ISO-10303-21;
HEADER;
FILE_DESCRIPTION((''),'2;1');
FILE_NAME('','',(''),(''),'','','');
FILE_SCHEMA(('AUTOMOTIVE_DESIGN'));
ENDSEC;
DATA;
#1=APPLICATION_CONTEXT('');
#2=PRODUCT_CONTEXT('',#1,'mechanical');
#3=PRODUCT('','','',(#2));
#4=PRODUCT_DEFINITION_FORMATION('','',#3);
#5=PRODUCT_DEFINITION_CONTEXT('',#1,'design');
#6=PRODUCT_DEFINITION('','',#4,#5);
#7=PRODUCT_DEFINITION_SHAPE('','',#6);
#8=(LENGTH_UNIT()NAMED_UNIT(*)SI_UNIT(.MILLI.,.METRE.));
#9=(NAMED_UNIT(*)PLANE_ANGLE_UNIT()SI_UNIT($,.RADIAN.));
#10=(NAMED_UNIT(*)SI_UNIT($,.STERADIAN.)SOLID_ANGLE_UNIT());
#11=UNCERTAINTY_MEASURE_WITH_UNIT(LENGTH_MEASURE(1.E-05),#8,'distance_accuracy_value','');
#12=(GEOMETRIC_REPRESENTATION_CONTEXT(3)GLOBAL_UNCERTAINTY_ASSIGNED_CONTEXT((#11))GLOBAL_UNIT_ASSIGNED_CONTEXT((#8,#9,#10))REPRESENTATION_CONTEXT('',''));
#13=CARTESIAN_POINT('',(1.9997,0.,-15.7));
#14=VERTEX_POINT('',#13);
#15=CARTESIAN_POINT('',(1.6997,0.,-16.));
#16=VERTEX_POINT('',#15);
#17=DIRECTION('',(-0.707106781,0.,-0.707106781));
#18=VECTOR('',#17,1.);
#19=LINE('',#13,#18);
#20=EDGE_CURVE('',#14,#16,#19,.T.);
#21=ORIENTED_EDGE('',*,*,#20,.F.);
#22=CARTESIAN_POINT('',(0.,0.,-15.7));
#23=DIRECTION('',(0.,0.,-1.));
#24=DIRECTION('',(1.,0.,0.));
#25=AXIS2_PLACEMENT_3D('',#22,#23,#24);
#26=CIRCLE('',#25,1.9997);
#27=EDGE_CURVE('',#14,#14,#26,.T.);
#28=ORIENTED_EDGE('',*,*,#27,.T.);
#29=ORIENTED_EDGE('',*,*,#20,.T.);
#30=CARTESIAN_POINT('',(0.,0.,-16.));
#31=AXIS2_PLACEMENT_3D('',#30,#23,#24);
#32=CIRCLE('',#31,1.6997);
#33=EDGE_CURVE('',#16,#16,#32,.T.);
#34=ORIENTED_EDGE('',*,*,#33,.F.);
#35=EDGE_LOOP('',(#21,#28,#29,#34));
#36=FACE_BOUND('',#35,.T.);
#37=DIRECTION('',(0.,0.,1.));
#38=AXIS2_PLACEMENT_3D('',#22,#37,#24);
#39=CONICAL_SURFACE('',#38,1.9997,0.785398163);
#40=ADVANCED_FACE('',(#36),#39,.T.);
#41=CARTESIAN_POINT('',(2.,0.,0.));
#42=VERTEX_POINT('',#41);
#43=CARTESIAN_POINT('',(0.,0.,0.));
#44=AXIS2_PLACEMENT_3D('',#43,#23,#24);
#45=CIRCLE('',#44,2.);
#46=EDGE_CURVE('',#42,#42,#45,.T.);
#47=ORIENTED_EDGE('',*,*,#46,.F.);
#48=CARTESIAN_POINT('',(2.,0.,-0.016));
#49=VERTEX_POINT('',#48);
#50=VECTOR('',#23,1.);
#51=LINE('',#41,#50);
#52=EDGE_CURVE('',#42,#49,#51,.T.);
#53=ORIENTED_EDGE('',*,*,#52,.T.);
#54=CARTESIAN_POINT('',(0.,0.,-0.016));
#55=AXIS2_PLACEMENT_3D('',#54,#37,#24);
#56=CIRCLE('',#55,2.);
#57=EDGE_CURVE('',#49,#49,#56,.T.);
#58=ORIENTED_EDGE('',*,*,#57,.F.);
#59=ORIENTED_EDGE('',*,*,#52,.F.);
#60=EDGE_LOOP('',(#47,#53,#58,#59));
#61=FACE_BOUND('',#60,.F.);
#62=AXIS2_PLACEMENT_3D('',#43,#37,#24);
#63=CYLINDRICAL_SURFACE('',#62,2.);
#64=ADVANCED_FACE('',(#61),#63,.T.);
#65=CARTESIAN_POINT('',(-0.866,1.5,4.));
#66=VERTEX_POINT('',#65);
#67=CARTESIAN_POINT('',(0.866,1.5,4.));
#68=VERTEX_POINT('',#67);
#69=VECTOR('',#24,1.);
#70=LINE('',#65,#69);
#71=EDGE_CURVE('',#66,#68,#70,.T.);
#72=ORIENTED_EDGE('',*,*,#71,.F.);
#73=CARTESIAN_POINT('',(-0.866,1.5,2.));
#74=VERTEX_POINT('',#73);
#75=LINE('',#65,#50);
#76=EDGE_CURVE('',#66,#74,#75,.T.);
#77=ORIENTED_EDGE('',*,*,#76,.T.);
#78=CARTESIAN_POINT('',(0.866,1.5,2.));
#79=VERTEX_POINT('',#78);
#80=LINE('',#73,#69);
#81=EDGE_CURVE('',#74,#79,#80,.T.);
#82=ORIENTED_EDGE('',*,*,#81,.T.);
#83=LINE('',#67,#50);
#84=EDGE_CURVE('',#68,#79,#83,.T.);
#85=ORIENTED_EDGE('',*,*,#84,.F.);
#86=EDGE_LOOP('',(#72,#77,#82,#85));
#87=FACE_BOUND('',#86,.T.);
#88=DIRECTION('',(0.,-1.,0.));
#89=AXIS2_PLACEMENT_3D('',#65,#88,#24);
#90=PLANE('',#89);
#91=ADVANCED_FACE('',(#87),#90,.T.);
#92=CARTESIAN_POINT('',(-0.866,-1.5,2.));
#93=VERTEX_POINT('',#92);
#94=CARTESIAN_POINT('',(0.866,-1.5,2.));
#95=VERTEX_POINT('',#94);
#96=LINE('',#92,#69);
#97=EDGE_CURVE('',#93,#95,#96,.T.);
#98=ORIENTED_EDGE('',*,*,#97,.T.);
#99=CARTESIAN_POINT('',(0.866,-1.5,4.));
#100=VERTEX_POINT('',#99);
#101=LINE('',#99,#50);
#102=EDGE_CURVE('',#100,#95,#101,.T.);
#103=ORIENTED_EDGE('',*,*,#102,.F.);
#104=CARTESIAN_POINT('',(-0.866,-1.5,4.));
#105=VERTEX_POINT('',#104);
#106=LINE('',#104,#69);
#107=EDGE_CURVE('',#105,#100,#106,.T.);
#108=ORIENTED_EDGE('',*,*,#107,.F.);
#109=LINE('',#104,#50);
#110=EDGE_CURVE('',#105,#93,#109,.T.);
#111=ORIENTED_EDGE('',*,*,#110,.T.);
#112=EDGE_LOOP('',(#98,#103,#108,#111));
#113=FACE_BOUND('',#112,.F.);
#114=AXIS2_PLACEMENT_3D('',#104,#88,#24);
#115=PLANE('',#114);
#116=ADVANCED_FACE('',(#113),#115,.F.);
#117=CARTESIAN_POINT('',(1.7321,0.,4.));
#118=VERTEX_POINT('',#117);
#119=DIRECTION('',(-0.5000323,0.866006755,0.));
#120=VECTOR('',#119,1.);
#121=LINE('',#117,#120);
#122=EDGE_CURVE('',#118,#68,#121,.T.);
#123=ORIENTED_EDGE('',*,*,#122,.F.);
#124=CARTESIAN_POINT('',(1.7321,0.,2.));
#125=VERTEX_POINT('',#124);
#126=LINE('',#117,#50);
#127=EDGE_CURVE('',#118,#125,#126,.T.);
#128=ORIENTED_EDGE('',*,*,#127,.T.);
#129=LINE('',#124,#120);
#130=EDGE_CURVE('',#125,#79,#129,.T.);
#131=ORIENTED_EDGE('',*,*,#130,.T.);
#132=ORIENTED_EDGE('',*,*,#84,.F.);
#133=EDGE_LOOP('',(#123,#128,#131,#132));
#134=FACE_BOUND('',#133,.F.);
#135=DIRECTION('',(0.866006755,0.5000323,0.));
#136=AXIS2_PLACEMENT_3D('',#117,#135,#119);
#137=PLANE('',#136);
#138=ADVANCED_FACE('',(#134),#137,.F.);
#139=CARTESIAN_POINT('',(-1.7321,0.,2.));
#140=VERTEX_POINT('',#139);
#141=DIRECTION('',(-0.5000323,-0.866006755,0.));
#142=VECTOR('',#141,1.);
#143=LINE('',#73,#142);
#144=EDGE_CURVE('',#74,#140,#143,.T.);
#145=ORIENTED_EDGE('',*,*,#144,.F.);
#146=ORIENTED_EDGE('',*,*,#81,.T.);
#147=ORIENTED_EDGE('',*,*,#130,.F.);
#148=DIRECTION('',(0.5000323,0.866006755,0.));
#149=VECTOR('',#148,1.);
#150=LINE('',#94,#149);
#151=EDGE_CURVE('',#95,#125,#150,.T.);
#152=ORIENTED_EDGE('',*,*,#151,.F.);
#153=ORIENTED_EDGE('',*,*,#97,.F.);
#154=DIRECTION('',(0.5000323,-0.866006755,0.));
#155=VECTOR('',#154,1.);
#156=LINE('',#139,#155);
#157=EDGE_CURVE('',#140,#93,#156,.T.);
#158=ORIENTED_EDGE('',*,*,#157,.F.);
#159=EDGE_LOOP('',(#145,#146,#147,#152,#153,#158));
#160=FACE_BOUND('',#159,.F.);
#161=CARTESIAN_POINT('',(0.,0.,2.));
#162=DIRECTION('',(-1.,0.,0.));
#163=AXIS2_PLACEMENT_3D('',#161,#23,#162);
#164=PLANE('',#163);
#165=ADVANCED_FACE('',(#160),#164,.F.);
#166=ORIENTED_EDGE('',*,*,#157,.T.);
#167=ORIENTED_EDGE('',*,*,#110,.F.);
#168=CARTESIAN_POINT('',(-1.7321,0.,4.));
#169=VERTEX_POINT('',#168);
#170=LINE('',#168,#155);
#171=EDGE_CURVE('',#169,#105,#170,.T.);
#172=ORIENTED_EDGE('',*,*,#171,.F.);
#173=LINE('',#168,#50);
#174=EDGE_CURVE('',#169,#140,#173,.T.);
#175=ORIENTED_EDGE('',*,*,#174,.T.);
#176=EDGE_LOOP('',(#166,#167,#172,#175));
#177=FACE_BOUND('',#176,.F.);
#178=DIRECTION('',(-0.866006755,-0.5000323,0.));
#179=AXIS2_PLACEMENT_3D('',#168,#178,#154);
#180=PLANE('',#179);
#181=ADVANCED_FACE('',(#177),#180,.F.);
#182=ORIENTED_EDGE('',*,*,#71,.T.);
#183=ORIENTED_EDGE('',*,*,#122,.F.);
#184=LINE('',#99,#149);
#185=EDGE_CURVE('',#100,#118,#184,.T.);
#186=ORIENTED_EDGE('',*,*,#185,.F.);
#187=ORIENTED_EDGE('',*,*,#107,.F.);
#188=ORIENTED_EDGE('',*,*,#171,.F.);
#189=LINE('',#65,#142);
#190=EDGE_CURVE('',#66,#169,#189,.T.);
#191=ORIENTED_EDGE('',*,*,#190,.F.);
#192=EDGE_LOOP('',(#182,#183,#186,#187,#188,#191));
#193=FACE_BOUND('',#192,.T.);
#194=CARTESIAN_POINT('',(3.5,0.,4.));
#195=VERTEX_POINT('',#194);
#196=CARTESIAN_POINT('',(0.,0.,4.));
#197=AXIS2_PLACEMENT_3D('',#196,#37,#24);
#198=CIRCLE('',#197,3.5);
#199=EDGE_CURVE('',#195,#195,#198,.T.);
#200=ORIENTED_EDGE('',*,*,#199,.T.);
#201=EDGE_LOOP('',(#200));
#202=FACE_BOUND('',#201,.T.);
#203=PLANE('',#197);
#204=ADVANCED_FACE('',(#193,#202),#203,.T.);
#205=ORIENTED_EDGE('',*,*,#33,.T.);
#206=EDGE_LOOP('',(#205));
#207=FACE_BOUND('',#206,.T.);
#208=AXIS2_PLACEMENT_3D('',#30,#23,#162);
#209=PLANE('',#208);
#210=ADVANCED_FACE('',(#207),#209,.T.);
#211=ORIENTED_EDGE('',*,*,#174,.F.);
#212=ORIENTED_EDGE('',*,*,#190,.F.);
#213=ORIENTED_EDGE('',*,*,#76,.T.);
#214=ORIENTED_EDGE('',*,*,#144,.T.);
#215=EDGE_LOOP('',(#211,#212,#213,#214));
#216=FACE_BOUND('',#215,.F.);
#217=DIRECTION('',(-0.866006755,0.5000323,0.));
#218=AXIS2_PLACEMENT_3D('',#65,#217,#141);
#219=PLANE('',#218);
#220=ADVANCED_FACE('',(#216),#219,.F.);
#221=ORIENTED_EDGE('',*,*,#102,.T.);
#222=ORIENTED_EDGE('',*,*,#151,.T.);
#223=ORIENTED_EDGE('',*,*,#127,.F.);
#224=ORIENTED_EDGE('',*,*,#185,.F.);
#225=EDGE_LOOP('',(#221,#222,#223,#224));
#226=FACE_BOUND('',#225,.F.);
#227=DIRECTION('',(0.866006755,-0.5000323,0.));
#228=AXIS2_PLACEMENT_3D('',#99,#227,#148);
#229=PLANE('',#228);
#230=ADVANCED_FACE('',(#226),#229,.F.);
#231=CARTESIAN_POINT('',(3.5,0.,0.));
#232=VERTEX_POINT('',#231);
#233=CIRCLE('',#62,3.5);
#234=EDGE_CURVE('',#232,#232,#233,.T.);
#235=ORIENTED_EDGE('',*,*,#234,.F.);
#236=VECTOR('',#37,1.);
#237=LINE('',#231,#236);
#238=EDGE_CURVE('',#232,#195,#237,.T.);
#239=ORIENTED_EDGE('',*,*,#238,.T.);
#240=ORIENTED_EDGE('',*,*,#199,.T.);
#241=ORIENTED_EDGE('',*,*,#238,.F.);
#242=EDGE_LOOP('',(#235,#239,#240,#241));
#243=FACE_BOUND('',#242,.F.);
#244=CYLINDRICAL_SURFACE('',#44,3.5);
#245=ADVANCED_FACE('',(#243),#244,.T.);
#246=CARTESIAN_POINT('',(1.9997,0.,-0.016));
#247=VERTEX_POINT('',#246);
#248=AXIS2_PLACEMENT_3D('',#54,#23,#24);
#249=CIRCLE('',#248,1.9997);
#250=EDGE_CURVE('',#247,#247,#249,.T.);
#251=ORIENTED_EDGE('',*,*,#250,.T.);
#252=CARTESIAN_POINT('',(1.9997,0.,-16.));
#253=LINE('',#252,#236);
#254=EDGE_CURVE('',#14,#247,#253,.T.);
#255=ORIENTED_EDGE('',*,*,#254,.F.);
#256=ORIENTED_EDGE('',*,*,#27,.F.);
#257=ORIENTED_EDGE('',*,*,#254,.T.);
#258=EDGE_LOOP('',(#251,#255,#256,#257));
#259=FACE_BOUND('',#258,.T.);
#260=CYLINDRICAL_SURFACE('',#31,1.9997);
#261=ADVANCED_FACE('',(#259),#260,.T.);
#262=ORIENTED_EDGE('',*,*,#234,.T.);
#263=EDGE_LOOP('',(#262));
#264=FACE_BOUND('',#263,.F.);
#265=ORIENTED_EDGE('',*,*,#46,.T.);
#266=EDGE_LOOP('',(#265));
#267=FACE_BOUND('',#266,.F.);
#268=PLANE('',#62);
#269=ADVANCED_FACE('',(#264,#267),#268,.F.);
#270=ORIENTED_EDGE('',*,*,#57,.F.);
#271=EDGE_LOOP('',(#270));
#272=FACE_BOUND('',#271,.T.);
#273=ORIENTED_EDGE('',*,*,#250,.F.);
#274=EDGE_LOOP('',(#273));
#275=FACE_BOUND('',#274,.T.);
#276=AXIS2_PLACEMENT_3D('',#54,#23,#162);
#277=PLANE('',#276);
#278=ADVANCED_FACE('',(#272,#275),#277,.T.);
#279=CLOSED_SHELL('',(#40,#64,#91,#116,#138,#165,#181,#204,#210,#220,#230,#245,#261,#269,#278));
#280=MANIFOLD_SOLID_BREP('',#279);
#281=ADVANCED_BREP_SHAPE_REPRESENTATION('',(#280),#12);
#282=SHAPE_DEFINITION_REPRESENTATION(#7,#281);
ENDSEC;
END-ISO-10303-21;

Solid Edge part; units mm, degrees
sketch "Sketch1" plane through (0, 0, 0) normal (0, 0, 1) x (1, 0, 0)
  circle A0 centre (0, 0) radius 3.5
  dimension "D1" = 7
extrude "Protrusion1" add sketch "Sketch1" along normal blind 4
sketch "Sketch2" plane through (0, 0, 0) normal (0, 0, -1) x (1, 0, 0)
  circle A0 centre (0, 0) radius 2
extrude "Protrusion2" add sketch "Sketch2" along normal blind 16
sketch "Sketch3" plane through (0, 0, -16) normal (0, 0, -1) x (1, 0, 0)
  circle A0 centre (0, 0) radius 1.9997
extrude "Cutout1" cut sketch "Sketch3" against normal blind 15.984 flip side to cut
chamfer "Chamfer_1" distance 0.3 angle 45 1 edges at (-1.9997, 0, -16)
sketch "Sketch4" plane through (0, 0, 4) normal (0, 0, 1) x (1, 0, 0)
  line L0 (-0.866, 1.5) -> (0.866, 1.5)
  line L1 (1.7321, 0) -> (0.866, 1.5)
  line L2 (0.866, -1.5) -> (1.7321, 0)
  line L3 (-0.866, -1.5) -> (0.866, -1.5)
  line L4 (-1.7321, 0) -> (-0.866, -1.5)
  line L5 (-0.866, 1.5) -> (-1.7321, 0)
  dimension "D1" = 3
extrude "Cutout2" cut sketch "Sketch4" against normal blind 2
properties part number "24104709" material "Steel"
